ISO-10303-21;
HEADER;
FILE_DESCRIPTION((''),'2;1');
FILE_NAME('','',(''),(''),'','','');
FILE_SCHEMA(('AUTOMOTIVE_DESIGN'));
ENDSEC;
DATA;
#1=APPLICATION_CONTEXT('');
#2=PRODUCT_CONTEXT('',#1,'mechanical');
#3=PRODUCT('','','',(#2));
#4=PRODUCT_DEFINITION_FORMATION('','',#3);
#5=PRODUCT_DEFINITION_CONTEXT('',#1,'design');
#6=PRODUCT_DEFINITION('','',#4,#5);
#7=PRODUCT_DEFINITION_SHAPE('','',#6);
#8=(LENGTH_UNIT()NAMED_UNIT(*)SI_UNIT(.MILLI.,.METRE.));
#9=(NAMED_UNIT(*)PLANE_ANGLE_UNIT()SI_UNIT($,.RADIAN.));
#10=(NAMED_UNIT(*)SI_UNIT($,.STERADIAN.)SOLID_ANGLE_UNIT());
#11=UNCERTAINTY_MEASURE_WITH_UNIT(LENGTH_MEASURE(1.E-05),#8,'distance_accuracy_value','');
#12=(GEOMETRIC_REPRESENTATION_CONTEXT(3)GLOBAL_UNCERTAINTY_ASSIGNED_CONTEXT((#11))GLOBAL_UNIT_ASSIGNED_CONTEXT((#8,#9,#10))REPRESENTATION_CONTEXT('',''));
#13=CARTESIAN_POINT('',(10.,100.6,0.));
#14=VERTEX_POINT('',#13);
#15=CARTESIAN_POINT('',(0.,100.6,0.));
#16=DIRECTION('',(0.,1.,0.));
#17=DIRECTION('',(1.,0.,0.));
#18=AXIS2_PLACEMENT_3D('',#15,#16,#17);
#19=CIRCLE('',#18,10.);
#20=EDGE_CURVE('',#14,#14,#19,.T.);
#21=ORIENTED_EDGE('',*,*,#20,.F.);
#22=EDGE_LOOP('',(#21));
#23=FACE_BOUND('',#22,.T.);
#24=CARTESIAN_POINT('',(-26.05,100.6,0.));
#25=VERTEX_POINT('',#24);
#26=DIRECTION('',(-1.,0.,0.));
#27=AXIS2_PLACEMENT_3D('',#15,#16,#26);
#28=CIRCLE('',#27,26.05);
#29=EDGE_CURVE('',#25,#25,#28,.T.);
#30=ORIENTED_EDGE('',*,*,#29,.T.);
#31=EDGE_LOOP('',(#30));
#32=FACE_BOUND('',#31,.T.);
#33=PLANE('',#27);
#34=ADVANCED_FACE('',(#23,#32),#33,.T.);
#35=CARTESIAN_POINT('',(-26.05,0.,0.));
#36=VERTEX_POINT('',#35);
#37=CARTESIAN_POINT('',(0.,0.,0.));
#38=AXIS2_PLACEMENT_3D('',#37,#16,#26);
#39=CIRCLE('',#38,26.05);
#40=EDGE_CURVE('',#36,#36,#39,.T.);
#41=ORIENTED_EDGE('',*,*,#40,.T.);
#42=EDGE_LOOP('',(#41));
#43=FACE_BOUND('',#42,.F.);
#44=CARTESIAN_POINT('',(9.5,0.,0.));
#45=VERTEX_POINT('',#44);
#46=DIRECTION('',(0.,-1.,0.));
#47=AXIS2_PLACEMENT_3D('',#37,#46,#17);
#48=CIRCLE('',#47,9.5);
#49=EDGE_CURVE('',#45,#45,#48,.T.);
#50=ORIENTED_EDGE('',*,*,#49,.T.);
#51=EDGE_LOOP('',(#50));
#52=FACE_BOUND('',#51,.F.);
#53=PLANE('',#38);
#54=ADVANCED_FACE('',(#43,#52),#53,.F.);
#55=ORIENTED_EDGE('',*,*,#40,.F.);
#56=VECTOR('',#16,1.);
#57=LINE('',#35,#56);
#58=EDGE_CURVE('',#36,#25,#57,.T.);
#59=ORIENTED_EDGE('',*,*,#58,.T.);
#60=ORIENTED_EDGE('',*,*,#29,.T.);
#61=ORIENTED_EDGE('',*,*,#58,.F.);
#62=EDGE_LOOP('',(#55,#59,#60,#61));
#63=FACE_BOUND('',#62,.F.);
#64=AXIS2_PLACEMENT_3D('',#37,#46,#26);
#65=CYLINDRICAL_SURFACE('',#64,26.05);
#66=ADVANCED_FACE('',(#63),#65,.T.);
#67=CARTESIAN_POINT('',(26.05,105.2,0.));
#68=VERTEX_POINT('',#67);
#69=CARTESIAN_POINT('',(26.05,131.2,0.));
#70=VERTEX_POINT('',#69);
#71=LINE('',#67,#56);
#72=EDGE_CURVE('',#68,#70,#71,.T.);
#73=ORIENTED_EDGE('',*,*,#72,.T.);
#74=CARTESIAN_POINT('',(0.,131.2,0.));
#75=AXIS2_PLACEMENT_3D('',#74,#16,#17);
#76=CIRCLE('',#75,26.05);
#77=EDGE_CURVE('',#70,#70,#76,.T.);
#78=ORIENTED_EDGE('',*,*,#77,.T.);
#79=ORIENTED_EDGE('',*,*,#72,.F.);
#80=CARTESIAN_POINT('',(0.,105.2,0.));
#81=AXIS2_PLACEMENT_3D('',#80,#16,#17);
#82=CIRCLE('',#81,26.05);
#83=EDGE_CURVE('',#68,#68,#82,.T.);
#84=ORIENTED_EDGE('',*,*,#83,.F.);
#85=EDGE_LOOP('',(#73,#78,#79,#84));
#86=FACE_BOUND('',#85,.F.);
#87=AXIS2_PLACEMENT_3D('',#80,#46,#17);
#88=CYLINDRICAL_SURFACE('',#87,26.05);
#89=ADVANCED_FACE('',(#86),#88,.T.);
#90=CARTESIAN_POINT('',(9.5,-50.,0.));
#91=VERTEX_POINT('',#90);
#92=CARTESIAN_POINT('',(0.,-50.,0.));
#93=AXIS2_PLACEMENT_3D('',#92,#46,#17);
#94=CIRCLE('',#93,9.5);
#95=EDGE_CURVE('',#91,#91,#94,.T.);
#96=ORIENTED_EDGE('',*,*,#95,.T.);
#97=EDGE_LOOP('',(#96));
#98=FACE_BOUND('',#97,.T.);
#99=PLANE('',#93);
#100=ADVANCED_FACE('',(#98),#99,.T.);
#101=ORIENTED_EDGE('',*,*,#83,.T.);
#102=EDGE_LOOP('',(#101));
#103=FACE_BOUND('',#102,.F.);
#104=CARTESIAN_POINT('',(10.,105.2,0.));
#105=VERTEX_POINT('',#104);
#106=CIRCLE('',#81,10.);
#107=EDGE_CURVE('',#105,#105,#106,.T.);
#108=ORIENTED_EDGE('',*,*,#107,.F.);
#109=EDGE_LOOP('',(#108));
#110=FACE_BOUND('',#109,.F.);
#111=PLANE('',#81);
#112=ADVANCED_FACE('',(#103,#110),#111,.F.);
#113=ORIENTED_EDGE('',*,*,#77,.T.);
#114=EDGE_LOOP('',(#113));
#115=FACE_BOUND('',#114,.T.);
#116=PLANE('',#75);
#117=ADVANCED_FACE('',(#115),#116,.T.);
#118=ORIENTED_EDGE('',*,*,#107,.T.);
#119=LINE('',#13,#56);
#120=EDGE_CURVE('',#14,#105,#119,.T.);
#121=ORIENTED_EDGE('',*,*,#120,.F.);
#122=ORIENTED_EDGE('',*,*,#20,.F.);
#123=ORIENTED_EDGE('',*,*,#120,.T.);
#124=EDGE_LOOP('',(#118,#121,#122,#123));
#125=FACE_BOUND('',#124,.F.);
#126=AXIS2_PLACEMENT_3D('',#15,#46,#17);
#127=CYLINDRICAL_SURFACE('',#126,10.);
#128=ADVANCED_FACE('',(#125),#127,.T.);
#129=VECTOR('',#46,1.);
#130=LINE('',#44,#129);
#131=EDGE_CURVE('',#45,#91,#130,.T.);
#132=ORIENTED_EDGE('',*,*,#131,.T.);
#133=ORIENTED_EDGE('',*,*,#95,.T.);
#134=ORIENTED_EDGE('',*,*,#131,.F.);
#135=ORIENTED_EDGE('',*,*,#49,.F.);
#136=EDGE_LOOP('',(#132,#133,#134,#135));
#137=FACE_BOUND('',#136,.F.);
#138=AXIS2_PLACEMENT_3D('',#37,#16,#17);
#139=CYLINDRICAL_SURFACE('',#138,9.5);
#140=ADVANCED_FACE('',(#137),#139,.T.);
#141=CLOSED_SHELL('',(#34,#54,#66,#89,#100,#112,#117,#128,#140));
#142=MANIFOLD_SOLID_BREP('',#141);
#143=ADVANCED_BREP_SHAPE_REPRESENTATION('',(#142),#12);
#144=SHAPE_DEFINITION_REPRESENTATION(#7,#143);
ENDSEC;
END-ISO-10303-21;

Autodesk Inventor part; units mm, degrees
ref_plane "YZ Plane" through (0, 0, 0) normal (1, 0, 0) x (0, 1, 0)
ref_plane "XZ Plane" through (0, 0, 0) normal (0, 1, 0) x (-1, 0, 0)
ref_plane "XY Plane" through (0, 0, 0) normal (0, 0, 1) x (1, 0, 0)
sketch "Sketch1" plane through (0, 0, 0) normal (0, 1, 0) x (-1, 0, 0)
  circle A0 centre (0, 0) radius 26.05
  dimension "d0" = 52.1
extrude "Extrusion1" add sketch "Sketch1" along normal blind 100.6
sketch "Sketch2" plane through (0, 100.6, 0) normal (0, 1, 0) x (1, 0, 0)
  circle A0 centre (0, 0) radius 10
  dimension "d3" = 20
extrude "Extrusion2" add sketch "Sketch2" along normal blind 4.6
sketch "Sketch3" plane through (0, 105.2, 0) normal (0, 1, 0) x (1, 0, 0)
  circle A0 centre (0, 0) radius 10 projected
  circle A1 centre (0, 0) radius 26.05 projected
extrude "Extrusion3" add sketch "Sketch3" along normal blind 26 contours A0 | A1
sketch "Sketch4" plane through (0, 0, 0) normal (0, -1, 0) x (1, 0, 0)
  circle A0 centre (0, 0) radius 9.5
  dimension "d8" = 19
extrude "Extrusion4" add sketch "Sketch4" along normal blind 50
properties part number "SPINDLE"
